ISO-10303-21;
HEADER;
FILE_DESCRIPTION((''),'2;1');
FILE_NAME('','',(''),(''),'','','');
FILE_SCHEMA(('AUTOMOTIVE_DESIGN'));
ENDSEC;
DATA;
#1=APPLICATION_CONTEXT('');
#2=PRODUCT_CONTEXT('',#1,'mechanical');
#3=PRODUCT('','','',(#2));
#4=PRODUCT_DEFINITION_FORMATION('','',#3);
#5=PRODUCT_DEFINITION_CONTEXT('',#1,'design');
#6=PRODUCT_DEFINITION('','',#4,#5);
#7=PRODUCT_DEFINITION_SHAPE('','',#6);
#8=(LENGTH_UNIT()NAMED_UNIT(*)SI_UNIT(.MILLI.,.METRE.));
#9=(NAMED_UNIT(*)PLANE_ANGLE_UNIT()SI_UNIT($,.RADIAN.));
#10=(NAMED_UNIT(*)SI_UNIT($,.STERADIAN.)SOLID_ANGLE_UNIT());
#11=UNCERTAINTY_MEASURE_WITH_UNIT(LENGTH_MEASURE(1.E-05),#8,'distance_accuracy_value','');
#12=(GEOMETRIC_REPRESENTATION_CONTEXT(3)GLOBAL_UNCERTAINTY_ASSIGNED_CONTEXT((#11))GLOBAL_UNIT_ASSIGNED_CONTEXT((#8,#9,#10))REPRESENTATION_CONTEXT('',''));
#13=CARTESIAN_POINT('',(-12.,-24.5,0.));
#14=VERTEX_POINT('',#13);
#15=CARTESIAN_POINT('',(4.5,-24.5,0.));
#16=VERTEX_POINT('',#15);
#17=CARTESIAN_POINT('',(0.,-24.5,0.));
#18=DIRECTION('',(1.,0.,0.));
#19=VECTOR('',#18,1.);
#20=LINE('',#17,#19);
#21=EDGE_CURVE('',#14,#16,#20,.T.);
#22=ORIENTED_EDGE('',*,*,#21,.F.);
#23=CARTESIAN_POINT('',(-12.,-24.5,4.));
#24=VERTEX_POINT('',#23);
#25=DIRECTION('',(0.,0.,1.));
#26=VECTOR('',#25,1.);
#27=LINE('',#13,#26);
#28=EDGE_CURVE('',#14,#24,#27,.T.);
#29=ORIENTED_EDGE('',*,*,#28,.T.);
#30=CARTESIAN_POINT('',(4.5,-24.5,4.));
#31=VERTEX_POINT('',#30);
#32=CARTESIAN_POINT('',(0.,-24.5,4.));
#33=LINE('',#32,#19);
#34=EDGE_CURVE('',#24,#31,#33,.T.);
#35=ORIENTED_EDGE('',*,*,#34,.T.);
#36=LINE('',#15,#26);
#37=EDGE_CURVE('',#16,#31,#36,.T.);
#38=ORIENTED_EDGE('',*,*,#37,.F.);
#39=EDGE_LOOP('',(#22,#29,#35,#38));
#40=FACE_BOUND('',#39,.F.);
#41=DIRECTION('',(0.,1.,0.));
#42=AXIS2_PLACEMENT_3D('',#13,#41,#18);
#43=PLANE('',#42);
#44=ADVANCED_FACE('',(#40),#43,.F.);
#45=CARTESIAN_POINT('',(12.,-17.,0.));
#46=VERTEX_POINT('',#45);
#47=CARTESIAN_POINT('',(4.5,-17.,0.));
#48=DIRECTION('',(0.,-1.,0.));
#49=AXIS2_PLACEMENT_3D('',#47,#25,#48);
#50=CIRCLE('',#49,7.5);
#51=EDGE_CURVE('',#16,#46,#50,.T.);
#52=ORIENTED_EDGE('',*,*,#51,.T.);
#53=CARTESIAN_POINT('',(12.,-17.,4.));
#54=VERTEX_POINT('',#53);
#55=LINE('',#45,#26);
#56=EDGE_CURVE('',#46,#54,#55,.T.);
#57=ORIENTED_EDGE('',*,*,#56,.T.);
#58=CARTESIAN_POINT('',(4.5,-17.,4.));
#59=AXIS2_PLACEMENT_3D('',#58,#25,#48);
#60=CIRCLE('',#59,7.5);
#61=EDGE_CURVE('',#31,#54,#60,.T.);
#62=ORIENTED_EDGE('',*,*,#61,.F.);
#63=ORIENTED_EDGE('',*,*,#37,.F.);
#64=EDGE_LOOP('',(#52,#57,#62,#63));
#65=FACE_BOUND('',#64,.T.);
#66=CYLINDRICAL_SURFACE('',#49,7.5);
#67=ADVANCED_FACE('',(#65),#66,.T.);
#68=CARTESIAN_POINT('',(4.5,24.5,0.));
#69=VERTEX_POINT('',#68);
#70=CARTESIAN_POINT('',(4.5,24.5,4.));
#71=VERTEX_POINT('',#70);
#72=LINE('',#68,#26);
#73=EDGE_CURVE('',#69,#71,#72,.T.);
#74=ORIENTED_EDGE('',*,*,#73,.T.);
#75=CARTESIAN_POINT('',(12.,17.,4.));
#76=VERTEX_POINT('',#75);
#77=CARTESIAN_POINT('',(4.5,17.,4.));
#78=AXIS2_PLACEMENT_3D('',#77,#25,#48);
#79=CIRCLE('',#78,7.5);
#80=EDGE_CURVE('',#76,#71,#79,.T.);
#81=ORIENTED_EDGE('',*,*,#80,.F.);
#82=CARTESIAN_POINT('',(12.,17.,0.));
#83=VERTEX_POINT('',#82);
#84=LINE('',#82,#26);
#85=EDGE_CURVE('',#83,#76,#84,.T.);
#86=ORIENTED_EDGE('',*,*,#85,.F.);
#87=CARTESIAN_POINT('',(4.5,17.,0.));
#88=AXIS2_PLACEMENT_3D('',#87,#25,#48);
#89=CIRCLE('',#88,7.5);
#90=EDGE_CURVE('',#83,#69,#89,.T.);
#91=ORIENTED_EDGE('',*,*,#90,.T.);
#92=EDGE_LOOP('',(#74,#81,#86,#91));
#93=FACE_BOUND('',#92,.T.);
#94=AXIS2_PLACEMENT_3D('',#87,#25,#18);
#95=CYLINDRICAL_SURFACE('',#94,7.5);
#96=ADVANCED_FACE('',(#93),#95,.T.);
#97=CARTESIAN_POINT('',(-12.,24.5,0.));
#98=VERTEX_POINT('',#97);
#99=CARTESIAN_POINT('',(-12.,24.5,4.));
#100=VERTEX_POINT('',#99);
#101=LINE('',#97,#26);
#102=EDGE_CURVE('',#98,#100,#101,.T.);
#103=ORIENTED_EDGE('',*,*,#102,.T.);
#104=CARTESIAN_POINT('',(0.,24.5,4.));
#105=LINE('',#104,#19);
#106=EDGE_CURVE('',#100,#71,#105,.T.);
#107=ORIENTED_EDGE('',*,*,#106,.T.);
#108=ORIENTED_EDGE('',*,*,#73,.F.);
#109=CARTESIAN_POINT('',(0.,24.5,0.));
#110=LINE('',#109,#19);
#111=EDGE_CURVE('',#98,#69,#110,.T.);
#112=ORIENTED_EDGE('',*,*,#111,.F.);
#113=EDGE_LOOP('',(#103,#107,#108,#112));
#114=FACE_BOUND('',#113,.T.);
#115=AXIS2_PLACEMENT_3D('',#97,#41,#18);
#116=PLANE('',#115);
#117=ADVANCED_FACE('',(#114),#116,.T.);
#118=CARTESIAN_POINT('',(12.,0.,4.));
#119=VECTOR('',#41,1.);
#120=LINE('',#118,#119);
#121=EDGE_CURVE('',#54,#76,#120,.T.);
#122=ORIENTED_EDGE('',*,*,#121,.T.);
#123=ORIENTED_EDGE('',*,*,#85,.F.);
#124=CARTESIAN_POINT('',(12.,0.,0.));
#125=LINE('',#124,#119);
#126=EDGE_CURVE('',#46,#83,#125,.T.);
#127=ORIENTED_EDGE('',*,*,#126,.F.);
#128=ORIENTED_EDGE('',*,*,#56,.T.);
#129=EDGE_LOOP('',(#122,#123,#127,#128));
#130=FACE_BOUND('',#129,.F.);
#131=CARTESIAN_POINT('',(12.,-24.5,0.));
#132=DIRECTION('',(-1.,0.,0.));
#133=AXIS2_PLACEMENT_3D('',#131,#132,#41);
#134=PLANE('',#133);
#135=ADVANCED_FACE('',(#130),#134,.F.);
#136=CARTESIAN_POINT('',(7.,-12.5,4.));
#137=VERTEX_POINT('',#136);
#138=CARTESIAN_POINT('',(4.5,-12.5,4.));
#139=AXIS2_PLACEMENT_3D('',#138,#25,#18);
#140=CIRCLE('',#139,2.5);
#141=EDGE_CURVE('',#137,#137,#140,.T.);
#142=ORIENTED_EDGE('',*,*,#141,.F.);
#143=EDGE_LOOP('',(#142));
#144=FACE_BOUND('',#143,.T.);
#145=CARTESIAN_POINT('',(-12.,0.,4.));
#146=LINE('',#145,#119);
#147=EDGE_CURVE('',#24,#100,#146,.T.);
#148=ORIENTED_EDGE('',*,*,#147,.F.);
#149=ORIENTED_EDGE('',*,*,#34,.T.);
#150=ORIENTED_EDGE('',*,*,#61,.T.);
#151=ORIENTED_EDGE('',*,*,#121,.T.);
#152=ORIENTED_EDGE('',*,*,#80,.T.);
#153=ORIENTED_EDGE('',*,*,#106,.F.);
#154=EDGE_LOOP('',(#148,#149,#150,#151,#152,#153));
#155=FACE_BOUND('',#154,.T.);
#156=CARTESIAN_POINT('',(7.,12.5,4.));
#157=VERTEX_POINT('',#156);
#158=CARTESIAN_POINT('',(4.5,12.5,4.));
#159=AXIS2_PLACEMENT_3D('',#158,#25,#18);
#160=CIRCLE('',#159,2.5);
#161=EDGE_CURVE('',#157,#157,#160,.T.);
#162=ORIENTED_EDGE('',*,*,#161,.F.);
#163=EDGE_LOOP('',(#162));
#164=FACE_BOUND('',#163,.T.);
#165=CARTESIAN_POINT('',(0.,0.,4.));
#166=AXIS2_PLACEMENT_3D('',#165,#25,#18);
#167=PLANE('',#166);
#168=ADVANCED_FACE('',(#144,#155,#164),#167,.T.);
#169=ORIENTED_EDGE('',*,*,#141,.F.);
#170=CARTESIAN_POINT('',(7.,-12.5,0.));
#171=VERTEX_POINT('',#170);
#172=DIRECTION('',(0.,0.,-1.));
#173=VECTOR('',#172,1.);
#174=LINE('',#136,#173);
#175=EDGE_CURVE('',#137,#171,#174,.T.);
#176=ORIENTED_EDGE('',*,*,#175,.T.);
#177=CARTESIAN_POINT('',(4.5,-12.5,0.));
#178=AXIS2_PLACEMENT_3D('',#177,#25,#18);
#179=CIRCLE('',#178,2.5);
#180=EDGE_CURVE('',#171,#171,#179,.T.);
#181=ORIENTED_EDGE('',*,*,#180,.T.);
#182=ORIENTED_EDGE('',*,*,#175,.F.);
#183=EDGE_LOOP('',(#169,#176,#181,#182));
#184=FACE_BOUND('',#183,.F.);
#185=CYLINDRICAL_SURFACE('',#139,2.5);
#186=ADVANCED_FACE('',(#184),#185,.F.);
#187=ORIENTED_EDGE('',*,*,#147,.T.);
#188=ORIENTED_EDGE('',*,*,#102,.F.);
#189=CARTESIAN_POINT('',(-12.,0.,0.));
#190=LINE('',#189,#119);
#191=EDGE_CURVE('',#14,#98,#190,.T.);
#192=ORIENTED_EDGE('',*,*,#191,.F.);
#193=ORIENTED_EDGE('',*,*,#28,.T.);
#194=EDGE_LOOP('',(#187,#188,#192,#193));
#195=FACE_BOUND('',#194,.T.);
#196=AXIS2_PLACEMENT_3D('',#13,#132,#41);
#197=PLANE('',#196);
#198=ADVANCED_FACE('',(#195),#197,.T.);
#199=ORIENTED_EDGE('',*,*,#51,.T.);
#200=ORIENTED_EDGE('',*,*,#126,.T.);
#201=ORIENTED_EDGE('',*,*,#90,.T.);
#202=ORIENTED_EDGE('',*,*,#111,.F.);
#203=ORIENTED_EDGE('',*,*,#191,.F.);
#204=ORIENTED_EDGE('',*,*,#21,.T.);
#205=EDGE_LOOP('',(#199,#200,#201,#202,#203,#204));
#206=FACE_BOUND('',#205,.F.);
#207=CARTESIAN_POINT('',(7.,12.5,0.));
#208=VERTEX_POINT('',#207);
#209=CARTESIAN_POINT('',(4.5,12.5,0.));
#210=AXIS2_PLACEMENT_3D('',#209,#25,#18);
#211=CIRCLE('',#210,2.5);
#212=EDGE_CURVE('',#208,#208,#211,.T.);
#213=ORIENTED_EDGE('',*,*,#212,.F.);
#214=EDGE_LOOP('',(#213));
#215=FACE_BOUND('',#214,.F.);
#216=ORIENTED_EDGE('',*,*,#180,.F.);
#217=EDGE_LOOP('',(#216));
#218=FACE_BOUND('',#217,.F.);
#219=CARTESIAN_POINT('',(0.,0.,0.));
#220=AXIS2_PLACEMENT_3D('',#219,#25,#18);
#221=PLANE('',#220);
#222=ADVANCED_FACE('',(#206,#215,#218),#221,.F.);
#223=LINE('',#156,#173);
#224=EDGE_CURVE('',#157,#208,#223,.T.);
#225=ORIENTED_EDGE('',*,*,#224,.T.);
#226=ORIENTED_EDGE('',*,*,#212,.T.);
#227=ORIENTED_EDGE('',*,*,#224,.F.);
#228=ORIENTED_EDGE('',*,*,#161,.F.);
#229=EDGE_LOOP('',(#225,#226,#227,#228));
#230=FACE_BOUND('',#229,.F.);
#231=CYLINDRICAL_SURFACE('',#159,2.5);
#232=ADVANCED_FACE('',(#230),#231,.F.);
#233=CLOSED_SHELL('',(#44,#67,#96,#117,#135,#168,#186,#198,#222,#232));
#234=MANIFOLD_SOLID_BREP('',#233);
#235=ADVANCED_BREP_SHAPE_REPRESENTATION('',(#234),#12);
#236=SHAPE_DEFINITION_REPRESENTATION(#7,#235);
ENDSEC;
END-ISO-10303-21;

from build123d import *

# Parameters (mm, degrees)
F0_W     = 24
F0_H     = 49
F1_DEPTH = 4
F2_R     = 7.5
F3_R     = 2.5
F4_DEPTH = 5


with BuildPart() as f1:
    # F0 (on Top) → F1 (new body)
    with BuildSketch(Plane.XY):
        Rectangle(F0_W, F0_H)
    extrude(amount=F1_DEPTH)

    # F2
    f2_edges = [f1.edges().sort_by_distance(p)[0] for p in [
        (12, -24.5, 2),
        (12, 24.5, 2),
    ]]
    fillet(f2_edges, radius=F2_R)

    # F3 (on face) → F4 (cut)
    with BuildSketch(Plane.XY.offset(4)):
        with Locations((4.5, 12.5)):
            Circle(F3_R)
        with Locations((4.5, -12.5)):
            Circle(F3_R)
    extrude(amount=-F4_DEPTH, mode=Mode.SUBTRACT)


solid = f1.part
